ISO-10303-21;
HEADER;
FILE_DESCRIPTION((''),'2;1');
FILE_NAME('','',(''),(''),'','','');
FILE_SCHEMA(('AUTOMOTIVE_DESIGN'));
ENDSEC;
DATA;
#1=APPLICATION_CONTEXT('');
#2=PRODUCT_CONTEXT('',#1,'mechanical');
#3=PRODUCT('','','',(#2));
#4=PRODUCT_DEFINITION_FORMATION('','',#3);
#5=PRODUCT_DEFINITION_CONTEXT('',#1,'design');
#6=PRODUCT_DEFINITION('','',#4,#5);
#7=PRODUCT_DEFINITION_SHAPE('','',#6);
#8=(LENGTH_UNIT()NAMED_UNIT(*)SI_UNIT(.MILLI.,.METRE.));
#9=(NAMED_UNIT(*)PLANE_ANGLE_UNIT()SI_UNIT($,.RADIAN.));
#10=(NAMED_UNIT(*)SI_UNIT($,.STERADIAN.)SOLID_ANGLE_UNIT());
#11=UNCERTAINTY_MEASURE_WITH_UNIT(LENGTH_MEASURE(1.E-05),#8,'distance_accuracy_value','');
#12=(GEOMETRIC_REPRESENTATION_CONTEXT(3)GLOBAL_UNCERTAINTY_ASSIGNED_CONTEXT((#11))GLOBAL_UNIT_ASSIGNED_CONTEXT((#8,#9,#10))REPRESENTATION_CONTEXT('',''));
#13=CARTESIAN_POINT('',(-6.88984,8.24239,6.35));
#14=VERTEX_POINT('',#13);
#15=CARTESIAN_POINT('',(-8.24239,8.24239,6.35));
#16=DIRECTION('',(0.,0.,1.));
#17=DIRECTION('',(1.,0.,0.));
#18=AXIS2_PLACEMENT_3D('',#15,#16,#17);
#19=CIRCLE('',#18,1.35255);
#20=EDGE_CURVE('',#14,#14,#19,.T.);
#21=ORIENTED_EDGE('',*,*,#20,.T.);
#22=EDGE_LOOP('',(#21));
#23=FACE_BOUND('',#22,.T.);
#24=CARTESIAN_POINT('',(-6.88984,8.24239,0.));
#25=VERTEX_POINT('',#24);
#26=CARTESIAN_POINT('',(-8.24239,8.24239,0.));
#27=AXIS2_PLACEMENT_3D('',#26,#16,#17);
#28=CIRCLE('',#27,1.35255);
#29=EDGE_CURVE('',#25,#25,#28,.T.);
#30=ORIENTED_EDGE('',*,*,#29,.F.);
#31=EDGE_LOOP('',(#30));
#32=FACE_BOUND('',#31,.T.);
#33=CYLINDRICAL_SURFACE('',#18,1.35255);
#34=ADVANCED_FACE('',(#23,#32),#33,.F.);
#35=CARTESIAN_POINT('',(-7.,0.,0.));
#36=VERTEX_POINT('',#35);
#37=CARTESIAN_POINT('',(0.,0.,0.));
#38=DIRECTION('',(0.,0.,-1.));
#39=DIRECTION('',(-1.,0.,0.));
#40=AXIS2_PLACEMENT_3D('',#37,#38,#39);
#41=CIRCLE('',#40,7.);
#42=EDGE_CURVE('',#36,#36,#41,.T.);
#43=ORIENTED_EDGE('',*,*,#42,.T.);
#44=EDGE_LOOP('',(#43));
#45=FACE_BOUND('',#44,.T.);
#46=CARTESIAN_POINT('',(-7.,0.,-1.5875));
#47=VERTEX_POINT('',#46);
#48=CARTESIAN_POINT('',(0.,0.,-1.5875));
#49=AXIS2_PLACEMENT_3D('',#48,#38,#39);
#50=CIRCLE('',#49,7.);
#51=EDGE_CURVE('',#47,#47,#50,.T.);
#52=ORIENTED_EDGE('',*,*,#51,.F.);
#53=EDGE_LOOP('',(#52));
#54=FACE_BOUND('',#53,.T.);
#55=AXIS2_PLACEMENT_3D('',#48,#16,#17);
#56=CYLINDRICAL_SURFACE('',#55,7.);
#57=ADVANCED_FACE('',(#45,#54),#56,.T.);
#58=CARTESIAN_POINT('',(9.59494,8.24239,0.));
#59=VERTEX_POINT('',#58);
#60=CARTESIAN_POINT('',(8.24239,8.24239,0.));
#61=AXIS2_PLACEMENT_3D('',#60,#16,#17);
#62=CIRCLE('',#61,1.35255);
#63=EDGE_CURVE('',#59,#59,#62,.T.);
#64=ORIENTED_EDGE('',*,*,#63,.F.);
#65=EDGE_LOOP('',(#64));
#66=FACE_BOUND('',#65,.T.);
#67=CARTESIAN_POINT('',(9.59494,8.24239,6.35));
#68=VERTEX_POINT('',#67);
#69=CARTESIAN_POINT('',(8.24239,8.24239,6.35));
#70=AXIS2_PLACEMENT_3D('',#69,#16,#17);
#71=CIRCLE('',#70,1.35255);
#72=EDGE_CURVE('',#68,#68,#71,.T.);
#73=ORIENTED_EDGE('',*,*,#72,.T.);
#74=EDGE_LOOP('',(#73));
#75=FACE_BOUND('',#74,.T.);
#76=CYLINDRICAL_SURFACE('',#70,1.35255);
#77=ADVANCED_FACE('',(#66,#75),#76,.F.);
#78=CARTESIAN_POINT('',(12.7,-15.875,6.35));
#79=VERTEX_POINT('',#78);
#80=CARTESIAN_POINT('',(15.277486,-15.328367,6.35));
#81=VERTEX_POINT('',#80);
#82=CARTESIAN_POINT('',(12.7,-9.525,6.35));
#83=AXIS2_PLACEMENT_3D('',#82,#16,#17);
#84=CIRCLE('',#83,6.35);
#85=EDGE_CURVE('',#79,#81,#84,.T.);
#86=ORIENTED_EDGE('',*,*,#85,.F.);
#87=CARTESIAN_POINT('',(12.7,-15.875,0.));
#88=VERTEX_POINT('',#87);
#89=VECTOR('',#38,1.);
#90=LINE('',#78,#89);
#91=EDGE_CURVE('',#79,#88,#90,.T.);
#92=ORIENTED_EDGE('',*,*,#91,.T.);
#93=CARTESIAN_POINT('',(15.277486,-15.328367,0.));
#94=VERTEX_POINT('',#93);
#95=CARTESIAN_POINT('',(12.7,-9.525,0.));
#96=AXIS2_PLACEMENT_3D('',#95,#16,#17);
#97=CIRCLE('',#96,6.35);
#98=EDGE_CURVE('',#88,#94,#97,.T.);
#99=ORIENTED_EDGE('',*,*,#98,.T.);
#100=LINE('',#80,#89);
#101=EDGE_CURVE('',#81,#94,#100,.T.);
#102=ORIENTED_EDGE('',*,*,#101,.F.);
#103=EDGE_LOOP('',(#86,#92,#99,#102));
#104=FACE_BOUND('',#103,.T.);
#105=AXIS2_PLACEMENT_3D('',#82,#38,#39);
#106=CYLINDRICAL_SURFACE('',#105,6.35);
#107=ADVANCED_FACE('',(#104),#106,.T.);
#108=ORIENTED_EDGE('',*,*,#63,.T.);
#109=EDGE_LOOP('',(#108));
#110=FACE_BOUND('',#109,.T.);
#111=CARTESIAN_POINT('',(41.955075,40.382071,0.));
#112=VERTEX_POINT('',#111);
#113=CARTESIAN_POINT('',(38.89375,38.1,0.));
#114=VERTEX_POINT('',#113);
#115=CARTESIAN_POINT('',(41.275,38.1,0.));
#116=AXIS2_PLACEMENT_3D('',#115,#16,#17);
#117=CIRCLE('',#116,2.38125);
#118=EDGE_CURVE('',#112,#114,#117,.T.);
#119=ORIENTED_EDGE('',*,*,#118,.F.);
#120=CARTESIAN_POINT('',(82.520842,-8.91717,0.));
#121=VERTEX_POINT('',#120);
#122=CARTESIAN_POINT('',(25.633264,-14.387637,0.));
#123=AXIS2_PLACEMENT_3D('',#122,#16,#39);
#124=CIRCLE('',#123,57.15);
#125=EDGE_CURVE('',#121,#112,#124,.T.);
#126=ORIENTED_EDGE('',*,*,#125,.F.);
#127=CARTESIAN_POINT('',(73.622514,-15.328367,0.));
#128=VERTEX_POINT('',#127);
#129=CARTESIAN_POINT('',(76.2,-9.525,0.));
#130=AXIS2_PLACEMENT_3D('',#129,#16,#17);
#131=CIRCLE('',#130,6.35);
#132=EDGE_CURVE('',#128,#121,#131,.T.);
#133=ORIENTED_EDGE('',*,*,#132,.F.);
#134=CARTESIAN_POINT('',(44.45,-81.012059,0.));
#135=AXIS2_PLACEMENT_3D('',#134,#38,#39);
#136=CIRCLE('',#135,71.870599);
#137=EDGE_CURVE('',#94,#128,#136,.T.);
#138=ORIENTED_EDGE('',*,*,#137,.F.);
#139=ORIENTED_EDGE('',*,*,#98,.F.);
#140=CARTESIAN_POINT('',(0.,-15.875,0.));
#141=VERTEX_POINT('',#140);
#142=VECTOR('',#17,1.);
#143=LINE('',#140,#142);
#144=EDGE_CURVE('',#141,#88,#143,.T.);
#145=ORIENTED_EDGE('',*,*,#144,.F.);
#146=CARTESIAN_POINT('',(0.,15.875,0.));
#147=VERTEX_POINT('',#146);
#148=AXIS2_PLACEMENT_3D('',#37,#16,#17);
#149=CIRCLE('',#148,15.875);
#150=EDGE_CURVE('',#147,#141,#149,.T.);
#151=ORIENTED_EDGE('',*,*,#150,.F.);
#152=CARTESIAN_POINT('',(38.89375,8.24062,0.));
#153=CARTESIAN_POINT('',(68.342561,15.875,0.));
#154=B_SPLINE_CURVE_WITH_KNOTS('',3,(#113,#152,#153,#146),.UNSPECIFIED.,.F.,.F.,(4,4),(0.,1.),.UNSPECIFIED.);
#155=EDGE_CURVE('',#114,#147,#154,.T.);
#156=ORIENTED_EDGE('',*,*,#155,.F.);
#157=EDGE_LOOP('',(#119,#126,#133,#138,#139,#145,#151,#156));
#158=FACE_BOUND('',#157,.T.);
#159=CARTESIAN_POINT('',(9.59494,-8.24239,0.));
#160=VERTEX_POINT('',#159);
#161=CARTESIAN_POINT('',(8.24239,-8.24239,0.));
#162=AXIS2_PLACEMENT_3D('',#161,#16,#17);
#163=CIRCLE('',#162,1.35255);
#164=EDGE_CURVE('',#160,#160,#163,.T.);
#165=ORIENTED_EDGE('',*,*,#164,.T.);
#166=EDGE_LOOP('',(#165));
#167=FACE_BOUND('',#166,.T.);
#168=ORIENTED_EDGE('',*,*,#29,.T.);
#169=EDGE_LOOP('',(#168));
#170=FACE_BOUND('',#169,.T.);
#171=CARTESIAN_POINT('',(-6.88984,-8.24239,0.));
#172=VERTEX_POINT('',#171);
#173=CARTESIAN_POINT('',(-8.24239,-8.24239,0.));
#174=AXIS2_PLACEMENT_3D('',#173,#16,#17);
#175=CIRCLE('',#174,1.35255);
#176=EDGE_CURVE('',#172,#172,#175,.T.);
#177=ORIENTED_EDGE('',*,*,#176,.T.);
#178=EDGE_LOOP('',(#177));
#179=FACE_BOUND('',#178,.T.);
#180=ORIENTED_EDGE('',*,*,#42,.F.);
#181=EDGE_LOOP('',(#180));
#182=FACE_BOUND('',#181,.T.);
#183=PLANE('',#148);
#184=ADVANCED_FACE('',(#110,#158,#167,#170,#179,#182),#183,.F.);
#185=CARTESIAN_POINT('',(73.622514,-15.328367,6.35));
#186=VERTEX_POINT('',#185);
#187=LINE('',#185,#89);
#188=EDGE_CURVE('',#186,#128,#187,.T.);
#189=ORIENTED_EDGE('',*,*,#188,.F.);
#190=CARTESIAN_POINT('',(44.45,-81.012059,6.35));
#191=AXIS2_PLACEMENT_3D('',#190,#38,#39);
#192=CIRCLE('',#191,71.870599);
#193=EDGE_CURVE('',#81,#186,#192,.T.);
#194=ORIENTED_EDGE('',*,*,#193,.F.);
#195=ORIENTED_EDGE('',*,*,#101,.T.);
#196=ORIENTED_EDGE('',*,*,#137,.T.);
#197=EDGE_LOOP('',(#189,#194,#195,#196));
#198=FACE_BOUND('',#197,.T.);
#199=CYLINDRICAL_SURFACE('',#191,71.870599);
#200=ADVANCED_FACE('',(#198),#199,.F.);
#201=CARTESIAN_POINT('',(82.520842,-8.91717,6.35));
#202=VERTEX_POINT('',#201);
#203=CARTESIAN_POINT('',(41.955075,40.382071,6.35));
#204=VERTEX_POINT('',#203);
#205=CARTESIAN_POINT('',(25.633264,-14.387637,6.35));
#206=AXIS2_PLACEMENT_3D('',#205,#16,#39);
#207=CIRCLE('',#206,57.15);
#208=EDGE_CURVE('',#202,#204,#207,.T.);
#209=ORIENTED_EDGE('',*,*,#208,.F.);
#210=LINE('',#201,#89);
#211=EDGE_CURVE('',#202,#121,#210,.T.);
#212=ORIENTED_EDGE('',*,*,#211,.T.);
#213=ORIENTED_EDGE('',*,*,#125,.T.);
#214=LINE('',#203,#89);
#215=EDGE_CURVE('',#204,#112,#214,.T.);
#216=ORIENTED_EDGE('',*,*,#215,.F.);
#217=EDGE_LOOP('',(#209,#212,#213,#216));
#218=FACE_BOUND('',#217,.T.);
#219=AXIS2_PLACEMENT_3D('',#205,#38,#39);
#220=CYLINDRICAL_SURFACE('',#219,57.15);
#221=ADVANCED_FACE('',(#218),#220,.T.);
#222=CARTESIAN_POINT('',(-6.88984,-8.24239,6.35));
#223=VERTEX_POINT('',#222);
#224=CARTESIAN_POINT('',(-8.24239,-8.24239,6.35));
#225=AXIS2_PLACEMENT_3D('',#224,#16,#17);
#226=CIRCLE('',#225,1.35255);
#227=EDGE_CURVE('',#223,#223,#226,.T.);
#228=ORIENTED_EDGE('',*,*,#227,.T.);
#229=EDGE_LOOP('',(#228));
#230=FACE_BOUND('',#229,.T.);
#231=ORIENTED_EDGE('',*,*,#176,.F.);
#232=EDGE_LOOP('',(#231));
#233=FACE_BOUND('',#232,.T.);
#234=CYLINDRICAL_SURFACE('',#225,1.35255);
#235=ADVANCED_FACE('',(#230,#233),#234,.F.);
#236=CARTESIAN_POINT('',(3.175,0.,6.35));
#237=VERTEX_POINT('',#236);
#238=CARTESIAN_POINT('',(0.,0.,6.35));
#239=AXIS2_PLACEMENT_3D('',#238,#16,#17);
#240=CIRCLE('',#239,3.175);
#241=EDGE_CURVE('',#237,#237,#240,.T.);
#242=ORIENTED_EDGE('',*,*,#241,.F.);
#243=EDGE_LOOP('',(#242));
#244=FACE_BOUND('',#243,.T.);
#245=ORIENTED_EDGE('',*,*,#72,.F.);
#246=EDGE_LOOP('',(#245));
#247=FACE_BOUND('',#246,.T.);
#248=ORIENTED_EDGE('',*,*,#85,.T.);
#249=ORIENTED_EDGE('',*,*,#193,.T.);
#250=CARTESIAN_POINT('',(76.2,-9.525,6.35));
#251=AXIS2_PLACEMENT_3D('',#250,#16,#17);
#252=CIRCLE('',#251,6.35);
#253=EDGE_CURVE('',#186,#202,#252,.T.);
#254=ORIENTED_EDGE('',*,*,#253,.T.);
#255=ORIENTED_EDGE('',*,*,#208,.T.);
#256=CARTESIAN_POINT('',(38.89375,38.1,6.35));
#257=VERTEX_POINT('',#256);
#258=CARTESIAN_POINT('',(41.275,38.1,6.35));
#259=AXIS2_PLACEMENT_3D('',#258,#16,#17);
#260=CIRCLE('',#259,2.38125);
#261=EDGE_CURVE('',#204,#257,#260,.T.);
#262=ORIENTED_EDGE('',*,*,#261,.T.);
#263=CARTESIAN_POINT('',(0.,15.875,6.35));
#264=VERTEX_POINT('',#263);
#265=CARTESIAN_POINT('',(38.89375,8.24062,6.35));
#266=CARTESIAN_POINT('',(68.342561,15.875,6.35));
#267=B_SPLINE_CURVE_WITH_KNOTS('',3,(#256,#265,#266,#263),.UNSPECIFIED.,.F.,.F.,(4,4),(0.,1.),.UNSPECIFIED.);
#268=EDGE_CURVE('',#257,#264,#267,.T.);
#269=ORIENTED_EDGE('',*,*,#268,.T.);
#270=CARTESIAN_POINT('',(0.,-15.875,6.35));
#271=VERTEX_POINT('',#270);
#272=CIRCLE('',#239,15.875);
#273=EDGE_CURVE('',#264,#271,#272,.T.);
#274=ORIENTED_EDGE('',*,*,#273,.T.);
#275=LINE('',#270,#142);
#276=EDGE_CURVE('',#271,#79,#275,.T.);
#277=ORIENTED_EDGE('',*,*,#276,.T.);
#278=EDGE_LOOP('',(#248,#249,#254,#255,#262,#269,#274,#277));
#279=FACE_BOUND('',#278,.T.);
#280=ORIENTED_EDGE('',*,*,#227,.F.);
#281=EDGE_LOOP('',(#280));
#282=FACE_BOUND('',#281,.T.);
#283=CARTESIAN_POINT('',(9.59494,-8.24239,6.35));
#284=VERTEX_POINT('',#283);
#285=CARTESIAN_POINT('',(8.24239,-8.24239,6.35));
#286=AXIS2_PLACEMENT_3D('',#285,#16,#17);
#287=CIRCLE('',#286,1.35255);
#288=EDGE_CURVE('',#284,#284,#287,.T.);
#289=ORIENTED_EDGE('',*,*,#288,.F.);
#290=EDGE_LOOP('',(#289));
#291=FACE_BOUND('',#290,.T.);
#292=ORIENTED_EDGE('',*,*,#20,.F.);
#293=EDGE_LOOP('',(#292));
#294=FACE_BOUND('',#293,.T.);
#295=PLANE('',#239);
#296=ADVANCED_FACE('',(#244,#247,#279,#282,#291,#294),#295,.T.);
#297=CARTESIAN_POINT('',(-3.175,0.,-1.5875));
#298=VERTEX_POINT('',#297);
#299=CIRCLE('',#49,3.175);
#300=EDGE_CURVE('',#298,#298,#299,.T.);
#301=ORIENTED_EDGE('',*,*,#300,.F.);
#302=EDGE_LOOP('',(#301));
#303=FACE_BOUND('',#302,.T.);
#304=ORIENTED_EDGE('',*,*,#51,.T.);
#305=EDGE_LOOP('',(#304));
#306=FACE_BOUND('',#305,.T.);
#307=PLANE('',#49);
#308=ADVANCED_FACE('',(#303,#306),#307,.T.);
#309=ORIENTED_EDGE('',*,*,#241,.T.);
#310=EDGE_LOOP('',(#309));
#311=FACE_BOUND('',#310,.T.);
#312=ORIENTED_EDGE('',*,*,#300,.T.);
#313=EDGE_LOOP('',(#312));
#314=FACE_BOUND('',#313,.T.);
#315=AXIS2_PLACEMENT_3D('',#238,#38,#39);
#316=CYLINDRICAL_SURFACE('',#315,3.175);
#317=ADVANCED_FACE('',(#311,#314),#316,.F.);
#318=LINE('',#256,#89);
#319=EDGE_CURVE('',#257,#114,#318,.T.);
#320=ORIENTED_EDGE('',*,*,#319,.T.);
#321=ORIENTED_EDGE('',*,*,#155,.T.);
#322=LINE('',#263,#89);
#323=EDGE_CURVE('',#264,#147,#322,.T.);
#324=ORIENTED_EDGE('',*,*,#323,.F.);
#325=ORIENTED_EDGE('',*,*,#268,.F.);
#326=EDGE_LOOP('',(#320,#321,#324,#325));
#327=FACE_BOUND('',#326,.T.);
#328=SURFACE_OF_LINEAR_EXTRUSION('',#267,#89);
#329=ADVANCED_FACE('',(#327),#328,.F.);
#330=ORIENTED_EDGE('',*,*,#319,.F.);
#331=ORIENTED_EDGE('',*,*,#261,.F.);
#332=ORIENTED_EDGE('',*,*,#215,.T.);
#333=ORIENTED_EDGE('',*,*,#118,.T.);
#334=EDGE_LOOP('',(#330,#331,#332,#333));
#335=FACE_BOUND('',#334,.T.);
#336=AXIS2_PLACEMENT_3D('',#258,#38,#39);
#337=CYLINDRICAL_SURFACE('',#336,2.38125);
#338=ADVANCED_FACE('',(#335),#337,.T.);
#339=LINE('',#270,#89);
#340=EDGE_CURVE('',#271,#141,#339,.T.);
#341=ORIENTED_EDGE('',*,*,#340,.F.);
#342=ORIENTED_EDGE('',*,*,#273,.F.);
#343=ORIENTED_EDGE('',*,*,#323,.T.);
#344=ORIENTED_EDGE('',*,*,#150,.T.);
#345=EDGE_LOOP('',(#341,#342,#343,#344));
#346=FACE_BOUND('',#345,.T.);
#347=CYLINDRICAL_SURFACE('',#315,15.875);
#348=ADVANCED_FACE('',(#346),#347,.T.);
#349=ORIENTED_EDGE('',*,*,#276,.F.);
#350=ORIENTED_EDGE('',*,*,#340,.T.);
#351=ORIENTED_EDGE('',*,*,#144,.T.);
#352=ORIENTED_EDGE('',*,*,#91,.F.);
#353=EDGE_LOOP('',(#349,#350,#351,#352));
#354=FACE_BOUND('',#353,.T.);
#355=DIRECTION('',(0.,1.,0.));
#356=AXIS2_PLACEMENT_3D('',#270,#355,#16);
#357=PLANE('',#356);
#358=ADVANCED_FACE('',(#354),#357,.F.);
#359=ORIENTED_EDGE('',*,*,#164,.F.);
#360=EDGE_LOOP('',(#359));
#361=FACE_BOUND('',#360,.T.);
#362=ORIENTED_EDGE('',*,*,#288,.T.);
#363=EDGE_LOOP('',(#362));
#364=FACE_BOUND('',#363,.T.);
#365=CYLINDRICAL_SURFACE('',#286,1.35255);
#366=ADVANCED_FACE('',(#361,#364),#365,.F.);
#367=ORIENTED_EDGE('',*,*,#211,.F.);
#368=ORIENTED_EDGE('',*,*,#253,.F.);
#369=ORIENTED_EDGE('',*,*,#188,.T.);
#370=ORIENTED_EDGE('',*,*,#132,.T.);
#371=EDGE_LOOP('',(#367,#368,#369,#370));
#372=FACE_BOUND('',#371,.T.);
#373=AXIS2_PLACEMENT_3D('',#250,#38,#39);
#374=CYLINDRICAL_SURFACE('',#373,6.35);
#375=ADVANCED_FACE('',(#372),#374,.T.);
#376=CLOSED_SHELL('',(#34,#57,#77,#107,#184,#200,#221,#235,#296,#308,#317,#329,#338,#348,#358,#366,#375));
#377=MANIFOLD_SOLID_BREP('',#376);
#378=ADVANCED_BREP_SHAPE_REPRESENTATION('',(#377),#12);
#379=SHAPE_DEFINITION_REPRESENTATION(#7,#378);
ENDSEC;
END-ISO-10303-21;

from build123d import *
from build123d.topology import SkipClean

# Parameters (mm, degrees)
SKETCH1_R             = 3.175
BOSS_EXTRUDE1_DEPTH   = 6.35
F_6_32_TAPPED_HOLE1_D = 2.7051
BOSS_EXTRUDE3_START   = 1.5875
SKETCH5_R             = 7
SKETCH5_R_2           = 3.175
BOSS_EXTRUDE3_DEPTH   = 1.5875


with BuildPart() as part:
    # Sketch1 → Boss-Extrude1 (new body)
    with BuildSketch(Plane.XY):
        with BuildLine():
            Line((0, -15.875), (12.7, -15.875))
            ThreePointArc((12.7, -15.875), (14.017406742, -15.736838655), (15.277486023, -15.328366764))
            ThreePointArc((15.277486023, -15.328366764), (44.45, -9.14146), (73.622513977, -15.328366764))
            ThreePointArc((73.622513977, -15.328366764), (79.912012711, -14.677034708), (82.52084196, -8.917170323))
            ThreePointArc((82.52084196, -8.917170323), (69.763837113, 21.925102015), (41.955075464, 40.382071192))
            ThreePointArc((41.955075464, 40.382071192), (39.851813107, 40.009159666), (38.89375, 38.1))
            add(Edge.make_bspline(
                [(38.89375, 38.1), (38.89375, 8.240619939), (68.342560944, 15.875), (0, 15.875)],
                knots=[0, 0, 0, 0, 1, 1, 1, 1], degree=3))
            ThreePointArc((0, 15.875), (-15.875, 0), (0, -15.875))
        make_face()
        Circle(SKETCH1_R, mode=Mode.SUBTRACT)
    extrude(amount=BOSS_EXTRUDE1_DEPTH)

    # #6-32 Tapped Hole1 (through all)
    with Locations(Plane.XY.offset(6.35)):
        with Locations((8.242390195, 8.242390195), (-8.242390195, 8.242390195), (8.242390195, -8.242390195), (-8.242390195, -8.242390195)):
            Hole(F_6_32_TAPPED_HOLE1_D / 2)

    # Sketch5 → Boss-Extrude3 (add)
    with SkipClean():  # the faces are left unmerged after this step: merging them gives an invalid solid
        with BuildSketch(Plane(origin=(0, 0, 0), x_dir=(-1, 0, 0), z_dir=(0, 0, -1)).offset(BOSS_EXTRUDE3_START)):
            Circle(SKETCH5_R)
            Circle(SKETCH5_R_2, mode=Mode.SUBTRACT)
        extrude(amount=-BOSS_EXTRUDE3_DEPTH)


solid = part.part
